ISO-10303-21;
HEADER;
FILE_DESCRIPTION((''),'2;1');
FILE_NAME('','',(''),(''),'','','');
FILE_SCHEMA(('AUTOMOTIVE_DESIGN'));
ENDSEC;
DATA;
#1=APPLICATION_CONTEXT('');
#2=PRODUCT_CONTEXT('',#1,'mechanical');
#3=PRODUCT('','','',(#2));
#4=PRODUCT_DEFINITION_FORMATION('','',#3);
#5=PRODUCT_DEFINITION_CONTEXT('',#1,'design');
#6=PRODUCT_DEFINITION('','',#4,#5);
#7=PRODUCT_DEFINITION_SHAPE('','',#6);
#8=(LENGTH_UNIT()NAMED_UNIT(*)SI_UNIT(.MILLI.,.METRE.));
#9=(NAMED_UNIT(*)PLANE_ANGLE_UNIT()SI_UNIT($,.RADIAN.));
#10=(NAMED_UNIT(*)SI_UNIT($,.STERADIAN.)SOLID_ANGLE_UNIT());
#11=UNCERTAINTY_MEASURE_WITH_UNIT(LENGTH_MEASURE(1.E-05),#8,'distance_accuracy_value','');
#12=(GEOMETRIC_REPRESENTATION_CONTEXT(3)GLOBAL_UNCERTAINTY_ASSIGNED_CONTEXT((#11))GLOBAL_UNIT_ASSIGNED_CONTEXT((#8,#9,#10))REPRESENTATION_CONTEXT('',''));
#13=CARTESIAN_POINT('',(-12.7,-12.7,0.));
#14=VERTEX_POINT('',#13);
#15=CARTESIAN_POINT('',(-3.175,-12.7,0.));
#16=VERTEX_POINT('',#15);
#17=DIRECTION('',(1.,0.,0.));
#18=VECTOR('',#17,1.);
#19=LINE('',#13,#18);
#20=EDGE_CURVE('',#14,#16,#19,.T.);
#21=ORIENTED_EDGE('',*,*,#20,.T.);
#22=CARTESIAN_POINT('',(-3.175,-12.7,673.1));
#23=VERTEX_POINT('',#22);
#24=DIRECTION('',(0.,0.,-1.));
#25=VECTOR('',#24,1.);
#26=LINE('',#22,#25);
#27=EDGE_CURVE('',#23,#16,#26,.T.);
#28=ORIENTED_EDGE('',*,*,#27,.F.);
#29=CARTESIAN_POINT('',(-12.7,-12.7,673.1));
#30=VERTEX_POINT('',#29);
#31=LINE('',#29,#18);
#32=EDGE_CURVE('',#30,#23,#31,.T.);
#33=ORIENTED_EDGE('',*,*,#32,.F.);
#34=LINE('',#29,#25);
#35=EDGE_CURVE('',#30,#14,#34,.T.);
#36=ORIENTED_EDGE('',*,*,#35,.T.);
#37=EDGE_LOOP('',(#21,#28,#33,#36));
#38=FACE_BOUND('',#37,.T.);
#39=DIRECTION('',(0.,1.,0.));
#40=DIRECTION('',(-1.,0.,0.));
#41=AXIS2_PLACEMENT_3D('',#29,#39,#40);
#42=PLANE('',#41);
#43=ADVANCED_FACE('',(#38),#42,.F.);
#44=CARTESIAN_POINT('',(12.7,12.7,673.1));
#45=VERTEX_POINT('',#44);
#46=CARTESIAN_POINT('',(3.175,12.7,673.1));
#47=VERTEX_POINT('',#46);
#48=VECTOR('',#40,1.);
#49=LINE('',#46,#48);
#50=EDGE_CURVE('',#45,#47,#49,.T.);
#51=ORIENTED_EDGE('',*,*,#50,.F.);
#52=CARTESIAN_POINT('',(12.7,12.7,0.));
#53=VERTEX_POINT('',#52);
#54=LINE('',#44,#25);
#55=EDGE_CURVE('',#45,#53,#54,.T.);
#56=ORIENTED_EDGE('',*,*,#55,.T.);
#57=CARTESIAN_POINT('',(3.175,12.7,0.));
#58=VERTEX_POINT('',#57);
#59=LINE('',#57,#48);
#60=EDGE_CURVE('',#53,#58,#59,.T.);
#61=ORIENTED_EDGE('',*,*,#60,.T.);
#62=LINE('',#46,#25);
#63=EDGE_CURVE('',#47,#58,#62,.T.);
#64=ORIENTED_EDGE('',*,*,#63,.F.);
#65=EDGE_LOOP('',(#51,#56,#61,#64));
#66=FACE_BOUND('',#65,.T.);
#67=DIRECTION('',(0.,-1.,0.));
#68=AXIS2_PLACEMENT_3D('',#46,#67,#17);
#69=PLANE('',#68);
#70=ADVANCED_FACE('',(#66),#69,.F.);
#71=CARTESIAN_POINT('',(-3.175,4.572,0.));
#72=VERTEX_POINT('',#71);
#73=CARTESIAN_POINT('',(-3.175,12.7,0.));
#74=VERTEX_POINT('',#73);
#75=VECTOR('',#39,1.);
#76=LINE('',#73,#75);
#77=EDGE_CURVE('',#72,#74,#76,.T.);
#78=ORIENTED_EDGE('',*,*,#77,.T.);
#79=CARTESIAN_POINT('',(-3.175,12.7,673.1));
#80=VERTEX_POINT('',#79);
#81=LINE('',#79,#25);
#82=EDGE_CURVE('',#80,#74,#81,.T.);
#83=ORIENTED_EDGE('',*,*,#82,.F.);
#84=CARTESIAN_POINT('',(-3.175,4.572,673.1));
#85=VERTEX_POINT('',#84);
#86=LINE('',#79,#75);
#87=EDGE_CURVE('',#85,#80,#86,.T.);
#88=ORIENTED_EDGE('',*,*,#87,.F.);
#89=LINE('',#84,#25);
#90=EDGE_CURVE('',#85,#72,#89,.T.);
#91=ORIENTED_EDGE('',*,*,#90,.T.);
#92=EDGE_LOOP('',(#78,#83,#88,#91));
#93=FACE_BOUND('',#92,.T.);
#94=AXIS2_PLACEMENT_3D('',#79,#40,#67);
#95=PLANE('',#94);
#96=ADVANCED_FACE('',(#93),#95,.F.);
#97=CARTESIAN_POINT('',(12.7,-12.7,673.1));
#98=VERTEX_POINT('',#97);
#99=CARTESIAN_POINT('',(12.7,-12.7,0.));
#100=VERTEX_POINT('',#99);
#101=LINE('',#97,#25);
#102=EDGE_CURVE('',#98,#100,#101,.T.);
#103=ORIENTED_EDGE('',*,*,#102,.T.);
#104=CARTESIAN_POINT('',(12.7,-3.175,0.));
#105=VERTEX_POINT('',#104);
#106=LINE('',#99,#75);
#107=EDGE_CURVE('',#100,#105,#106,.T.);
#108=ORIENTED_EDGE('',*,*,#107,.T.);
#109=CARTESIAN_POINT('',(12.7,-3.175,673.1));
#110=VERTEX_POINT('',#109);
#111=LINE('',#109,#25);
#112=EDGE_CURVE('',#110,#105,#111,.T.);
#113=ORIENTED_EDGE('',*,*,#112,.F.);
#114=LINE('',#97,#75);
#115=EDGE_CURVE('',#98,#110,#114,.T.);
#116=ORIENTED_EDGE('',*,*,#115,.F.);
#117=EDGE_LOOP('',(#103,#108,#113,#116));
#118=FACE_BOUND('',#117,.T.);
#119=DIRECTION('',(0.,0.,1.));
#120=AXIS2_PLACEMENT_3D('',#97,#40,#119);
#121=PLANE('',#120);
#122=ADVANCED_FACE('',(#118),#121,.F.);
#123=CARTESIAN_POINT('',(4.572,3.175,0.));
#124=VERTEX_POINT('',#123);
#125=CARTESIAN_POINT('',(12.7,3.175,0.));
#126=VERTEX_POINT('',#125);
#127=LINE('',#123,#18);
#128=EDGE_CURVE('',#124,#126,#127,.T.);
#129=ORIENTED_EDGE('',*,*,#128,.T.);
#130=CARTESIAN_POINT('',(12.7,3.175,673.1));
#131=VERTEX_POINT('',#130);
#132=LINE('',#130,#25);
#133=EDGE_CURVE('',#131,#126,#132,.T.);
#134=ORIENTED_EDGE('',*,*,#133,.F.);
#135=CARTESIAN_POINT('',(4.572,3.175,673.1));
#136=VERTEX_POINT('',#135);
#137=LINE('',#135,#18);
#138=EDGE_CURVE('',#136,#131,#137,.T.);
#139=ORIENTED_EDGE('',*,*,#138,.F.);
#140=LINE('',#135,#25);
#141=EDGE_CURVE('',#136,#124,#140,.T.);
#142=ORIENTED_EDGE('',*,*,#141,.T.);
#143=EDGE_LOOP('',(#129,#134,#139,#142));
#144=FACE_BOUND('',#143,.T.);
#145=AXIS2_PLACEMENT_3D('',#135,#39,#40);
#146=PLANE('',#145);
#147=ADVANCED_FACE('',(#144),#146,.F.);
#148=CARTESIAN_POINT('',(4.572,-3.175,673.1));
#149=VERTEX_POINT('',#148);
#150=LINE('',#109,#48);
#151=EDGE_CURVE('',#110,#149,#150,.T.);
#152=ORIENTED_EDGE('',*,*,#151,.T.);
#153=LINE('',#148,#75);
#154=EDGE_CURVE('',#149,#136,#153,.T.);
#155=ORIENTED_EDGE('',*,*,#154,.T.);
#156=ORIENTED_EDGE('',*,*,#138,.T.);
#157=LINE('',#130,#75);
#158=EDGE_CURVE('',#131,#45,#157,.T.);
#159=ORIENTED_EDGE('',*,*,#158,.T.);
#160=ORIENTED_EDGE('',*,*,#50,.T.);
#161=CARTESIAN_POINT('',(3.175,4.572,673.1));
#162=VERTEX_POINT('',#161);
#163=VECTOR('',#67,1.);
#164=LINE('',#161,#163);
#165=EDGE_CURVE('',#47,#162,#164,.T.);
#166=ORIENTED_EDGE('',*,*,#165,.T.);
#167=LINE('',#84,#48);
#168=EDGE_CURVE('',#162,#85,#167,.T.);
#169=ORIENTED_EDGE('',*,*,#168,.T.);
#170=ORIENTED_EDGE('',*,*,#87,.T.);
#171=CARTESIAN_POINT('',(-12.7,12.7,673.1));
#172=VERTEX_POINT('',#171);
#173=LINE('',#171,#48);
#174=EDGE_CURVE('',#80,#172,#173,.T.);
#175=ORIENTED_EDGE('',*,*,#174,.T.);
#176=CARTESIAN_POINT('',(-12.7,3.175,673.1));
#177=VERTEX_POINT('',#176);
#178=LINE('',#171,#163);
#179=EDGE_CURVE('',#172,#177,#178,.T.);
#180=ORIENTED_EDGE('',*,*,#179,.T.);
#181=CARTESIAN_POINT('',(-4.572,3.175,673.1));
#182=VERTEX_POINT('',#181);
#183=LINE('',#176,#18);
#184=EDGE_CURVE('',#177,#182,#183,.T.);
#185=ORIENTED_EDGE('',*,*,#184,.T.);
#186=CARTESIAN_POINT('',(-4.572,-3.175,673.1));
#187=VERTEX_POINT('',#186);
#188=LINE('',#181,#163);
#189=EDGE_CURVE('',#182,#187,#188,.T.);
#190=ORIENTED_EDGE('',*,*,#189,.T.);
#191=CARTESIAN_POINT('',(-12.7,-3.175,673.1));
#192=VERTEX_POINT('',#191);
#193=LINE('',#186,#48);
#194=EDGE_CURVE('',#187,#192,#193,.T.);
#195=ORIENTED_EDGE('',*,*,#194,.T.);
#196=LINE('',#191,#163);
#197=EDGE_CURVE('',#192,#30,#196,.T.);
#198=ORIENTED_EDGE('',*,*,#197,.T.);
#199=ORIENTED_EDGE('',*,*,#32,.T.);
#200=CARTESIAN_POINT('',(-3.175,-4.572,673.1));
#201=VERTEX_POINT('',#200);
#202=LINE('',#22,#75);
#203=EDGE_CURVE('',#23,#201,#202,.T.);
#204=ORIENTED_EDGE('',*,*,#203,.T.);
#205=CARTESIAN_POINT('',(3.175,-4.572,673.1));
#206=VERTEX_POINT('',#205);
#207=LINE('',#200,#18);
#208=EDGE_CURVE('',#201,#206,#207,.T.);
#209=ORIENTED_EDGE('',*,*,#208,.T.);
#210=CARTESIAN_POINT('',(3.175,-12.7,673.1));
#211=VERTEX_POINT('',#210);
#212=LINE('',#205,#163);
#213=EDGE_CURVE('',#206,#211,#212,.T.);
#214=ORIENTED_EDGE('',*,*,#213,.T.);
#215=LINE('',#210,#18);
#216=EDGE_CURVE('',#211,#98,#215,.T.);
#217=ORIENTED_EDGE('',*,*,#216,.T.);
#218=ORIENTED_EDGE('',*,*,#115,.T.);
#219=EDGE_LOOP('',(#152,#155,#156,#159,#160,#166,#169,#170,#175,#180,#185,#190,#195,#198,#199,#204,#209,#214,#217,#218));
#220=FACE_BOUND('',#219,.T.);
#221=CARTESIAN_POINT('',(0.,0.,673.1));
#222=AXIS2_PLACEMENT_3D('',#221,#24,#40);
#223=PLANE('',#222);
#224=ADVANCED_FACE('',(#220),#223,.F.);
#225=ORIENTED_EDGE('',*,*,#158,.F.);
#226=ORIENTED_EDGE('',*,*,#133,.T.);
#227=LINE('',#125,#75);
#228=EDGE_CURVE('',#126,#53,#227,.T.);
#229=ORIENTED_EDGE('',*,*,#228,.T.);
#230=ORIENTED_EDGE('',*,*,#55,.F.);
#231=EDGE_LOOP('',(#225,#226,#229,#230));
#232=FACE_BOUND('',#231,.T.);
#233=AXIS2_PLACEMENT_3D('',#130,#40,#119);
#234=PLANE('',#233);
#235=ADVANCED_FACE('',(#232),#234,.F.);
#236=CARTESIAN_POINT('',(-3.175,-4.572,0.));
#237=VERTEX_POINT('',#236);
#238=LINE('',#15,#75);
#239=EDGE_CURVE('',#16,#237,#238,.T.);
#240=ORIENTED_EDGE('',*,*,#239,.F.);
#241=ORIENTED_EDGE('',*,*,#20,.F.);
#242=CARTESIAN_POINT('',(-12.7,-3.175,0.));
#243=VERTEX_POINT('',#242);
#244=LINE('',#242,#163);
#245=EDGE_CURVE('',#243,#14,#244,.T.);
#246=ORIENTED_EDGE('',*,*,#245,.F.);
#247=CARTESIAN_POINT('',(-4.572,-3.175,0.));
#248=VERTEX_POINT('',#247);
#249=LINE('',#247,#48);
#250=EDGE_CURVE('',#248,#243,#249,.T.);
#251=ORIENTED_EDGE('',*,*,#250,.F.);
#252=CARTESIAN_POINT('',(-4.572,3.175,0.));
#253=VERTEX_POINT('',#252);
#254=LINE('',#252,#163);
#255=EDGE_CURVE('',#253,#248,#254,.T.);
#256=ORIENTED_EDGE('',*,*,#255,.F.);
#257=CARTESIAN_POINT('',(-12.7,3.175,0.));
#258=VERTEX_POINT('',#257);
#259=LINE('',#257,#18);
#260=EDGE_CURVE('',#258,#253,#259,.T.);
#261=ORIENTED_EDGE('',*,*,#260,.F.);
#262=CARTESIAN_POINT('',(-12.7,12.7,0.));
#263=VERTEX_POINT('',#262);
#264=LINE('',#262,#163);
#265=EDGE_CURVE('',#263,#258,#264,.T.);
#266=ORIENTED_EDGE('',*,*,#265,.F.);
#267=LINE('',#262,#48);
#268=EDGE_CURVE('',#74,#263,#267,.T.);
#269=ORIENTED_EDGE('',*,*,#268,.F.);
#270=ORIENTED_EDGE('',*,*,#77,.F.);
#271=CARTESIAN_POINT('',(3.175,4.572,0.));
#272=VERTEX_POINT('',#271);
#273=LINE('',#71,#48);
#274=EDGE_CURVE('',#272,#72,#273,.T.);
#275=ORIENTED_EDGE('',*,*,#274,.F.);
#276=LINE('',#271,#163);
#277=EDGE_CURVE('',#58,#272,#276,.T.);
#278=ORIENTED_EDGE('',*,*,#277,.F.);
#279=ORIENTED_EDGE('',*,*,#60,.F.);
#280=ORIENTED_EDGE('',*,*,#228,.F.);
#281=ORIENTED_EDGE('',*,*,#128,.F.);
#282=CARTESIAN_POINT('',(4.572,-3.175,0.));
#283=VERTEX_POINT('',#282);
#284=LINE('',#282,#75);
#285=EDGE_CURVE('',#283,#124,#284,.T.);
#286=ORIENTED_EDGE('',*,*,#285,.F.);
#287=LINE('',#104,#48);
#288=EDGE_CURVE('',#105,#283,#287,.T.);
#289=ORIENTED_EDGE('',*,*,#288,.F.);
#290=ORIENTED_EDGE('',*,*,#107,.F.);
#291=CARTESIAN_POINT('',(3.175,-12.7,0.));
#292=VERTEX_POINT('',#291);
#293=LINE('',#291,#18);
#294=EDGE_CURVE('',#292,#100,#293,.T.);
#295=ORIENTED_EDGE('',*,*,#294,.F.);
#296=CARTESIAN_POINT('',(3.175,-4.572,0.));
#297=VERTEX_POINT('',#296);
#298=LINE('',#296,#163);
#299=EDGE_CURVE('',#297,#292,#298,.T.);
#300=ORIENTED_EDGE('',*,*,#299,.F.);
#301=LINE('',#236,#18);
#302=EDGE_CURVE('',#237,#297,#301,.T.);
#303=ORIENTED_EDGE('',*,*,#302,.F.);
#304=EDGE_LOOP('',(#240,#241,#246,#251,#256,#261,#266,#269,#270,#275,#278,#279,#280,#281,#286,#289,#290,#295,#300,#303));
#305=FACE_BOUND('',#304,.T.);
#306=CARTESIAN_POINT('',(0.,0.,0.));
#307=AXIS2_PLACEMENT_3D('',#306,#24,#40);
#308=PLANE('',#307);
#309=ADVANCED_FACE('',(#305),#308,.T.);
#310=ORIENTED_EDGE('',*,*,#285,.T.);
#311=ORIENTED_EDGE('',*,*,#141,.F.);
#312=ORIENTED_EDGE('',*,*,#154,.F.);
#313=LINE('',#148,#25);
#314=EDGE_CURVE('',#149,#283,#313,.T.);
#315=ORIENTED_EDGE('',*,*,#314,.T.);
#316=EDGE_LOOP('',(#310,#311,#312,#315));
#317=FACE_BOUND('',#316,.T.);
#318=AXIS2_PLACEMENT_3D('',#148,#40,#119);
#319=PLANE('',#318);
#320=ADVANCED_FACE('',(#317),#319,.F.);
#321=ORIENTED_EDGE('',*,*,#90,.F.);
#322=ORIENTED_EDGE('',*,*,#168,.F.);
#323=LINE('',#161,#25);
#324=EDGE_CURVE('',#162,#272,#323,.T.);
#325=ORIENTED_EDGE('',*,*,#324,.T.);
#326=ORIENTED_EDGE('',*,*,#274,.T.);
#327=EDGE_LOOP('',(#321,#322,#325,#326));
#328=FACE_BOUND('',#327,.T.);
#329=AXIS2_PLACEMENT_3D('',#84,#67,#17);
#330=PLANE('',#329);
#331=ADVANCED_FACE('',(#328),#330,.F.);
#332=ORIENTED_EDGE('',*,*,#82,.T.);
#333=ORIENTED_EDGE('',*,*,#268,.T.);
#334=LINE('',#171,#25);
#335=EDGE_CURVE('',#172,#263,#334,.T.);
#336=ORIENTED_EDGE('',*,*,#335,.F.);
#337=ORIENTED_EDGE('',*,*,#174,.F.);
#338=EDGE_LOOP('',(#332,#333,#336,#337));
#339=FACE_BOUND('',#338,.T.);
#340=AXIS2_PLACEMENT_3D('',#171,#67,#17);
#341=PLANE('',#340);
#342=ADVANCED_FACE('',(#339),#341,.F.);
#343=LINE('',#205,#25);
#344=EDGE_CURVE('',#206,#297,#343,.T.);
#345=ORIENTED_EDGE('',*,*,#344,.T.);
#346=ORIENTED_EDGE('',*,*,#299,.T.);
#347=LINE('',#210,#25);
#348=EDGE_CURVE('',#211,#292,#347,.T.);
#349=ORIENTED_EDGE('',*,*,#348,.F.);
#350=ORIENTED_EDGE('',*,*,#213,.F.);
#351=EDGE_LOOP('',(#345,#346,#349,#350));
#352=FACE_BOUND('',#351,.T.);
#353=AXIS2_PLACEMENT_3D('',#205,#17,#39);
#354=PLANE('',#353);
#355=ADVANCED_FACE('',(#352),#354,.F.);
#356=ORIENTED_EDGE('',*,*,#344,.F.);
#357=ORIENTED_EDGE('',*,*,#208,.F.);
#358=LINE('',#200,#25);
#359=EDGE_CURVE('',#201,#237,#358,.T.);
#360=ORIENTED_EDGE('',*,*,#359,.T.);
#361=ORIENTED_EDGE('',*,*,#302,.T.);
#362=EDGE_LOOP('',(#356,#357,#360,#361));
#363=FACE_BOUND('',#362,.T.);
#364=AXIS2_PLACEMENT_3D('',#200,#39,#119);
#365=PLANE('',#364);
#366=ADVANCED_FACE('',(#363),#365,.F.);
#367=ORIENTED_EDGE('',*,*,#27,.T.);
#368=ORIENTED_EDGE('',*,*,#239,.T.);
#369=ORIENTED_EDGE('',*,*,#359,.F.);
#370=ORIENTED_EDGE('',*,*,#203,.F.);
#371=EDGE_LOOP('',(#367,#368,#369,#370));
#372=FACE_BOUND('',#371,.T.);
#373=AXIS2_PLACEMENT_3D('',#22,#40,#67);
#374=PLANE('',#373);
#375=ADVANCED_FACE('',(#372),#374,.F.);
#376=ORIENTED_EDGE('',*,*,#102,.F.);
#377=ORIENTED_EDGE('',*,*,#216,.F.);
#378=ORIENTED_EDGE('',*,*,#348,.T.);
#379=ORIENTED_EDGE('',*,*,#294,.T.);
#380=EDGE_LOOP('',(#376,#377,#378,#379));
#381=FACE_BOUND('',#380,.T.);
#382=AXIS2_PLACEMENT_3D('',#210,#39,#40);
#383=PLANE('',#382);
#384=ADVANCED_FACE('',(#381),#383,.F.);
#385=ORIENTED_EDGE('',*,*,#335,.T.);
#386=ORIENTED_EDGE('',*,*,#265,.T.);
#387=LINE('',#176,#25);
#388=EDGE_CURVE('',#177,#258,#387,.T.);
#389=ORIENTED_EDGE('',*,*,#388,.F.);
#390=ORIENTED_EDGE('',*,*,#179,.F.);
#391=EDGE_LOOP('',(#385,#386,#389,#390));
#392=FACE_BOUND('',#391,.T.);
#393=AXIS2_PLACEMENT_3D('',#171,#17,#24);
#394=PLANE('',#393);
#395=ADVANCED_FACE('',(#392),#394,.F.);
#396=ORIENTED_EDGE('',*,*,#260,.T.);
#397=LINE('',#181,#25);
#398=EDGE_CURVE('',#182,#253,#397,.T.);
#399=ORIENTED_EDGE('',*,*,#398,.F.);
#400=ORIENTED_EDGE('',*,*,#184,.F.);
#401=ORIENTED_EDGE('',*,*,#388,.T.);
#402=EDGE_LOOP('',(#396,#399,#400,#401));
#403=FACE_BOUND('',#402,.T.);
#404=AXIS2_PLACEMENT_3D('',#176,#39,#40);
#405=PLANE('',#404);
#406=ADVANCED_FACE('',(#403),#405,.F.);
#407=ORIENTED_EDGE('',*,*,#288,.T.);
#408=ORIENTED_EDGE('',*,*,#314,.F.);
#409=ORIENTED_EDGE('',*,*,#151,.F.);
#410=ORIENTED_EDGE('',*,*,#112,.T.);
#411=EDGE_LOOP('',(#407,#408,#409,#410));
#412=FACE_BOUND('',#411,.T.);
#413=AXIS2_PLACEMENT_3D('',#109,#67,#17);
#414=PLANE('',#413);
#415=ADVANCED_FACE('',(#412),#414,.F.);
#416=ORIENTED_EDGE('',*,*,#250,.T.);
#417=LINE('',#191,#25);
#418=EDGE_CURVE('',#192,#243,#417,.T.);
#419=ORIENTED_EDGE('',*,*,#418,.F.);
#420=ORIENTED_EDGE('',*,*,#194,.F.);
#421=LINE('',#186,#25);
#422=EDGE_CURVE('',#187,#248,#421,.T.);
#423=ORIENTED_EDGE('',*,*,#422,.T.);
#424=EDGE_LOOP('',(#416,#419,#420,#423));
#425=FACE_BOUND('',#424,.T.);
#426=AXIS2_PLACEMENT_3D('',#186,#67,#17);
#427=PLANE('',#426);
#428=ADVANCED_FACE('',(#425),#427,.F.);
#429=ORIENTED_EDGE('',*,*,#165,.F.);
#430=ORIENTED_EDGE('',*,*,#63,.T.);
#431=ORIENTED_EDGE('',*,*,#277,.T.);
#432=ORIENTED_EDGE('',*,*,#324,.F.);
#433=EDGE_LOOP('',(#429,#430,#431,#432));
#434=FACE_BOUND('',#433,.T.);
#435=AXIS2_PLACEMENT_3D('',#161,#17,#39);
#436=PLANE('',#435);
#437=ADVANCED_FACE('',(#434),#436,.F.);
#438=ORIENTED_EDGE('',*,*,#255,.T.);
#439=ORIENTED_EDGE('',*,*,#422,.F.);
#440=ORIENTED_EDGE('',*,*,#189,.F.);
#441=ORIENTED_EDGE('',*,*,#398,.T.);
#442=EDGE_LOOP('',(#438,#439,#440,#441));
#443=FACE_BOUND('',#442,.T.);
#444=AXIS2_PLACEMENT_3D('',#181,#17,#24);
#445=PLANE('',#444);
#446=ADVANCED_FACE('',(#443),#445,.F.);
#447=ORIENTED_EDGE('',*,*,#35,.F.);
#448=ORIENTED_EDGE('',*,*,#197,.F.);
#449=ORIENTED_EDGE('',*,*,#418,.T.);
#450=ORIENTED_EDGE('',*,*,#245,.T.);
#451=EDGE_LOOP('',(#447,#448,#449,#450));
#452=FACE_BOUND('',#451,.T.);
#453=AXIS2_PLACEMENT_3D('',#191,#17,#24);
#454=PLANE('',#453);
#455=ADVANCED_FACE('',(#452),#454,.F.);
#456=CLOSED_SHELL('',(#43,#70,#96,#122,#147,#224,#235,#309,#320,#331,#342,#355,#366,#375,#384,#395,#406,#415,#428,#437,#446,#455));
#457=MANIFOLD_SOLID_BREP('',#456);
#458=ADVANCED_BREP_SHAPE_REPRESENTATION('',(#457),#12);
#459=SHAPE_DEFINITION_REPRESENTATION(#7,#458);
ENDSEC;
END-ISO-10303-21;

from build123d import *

# Parameters (mm, degrees)
BOSS_EXTRUDE1_DEPTH = 673.1


with BuildPart() as part:
    # Sketch1 → Boss-Extrude1 (new body)
    with BuildSketch(Plane.XY):
        Polygon((-12.7, 12.7), (-12.7, 3.175), (-4.572, 3.175), (-4.572, -3.175), (-12.7, -3.175), (-12.7, -12.7), (-3.175, -12.7), (-3.175, -4.572), (3.175, -4.572), (3.175, -12.7), (12.7, -12.7), (12.7, -3.175), (4.572, -3.175), (4.572, 3.175), (12.7, 3.175), (12.7, 12.7), (3.175, 12.7), (3.175, 4.572), (-3.175, 4.572), (-3.175, 12.7), align=None)
    extrude(amount=BOSS_EXTRUDE1_DEPTH)


solid = part.part
